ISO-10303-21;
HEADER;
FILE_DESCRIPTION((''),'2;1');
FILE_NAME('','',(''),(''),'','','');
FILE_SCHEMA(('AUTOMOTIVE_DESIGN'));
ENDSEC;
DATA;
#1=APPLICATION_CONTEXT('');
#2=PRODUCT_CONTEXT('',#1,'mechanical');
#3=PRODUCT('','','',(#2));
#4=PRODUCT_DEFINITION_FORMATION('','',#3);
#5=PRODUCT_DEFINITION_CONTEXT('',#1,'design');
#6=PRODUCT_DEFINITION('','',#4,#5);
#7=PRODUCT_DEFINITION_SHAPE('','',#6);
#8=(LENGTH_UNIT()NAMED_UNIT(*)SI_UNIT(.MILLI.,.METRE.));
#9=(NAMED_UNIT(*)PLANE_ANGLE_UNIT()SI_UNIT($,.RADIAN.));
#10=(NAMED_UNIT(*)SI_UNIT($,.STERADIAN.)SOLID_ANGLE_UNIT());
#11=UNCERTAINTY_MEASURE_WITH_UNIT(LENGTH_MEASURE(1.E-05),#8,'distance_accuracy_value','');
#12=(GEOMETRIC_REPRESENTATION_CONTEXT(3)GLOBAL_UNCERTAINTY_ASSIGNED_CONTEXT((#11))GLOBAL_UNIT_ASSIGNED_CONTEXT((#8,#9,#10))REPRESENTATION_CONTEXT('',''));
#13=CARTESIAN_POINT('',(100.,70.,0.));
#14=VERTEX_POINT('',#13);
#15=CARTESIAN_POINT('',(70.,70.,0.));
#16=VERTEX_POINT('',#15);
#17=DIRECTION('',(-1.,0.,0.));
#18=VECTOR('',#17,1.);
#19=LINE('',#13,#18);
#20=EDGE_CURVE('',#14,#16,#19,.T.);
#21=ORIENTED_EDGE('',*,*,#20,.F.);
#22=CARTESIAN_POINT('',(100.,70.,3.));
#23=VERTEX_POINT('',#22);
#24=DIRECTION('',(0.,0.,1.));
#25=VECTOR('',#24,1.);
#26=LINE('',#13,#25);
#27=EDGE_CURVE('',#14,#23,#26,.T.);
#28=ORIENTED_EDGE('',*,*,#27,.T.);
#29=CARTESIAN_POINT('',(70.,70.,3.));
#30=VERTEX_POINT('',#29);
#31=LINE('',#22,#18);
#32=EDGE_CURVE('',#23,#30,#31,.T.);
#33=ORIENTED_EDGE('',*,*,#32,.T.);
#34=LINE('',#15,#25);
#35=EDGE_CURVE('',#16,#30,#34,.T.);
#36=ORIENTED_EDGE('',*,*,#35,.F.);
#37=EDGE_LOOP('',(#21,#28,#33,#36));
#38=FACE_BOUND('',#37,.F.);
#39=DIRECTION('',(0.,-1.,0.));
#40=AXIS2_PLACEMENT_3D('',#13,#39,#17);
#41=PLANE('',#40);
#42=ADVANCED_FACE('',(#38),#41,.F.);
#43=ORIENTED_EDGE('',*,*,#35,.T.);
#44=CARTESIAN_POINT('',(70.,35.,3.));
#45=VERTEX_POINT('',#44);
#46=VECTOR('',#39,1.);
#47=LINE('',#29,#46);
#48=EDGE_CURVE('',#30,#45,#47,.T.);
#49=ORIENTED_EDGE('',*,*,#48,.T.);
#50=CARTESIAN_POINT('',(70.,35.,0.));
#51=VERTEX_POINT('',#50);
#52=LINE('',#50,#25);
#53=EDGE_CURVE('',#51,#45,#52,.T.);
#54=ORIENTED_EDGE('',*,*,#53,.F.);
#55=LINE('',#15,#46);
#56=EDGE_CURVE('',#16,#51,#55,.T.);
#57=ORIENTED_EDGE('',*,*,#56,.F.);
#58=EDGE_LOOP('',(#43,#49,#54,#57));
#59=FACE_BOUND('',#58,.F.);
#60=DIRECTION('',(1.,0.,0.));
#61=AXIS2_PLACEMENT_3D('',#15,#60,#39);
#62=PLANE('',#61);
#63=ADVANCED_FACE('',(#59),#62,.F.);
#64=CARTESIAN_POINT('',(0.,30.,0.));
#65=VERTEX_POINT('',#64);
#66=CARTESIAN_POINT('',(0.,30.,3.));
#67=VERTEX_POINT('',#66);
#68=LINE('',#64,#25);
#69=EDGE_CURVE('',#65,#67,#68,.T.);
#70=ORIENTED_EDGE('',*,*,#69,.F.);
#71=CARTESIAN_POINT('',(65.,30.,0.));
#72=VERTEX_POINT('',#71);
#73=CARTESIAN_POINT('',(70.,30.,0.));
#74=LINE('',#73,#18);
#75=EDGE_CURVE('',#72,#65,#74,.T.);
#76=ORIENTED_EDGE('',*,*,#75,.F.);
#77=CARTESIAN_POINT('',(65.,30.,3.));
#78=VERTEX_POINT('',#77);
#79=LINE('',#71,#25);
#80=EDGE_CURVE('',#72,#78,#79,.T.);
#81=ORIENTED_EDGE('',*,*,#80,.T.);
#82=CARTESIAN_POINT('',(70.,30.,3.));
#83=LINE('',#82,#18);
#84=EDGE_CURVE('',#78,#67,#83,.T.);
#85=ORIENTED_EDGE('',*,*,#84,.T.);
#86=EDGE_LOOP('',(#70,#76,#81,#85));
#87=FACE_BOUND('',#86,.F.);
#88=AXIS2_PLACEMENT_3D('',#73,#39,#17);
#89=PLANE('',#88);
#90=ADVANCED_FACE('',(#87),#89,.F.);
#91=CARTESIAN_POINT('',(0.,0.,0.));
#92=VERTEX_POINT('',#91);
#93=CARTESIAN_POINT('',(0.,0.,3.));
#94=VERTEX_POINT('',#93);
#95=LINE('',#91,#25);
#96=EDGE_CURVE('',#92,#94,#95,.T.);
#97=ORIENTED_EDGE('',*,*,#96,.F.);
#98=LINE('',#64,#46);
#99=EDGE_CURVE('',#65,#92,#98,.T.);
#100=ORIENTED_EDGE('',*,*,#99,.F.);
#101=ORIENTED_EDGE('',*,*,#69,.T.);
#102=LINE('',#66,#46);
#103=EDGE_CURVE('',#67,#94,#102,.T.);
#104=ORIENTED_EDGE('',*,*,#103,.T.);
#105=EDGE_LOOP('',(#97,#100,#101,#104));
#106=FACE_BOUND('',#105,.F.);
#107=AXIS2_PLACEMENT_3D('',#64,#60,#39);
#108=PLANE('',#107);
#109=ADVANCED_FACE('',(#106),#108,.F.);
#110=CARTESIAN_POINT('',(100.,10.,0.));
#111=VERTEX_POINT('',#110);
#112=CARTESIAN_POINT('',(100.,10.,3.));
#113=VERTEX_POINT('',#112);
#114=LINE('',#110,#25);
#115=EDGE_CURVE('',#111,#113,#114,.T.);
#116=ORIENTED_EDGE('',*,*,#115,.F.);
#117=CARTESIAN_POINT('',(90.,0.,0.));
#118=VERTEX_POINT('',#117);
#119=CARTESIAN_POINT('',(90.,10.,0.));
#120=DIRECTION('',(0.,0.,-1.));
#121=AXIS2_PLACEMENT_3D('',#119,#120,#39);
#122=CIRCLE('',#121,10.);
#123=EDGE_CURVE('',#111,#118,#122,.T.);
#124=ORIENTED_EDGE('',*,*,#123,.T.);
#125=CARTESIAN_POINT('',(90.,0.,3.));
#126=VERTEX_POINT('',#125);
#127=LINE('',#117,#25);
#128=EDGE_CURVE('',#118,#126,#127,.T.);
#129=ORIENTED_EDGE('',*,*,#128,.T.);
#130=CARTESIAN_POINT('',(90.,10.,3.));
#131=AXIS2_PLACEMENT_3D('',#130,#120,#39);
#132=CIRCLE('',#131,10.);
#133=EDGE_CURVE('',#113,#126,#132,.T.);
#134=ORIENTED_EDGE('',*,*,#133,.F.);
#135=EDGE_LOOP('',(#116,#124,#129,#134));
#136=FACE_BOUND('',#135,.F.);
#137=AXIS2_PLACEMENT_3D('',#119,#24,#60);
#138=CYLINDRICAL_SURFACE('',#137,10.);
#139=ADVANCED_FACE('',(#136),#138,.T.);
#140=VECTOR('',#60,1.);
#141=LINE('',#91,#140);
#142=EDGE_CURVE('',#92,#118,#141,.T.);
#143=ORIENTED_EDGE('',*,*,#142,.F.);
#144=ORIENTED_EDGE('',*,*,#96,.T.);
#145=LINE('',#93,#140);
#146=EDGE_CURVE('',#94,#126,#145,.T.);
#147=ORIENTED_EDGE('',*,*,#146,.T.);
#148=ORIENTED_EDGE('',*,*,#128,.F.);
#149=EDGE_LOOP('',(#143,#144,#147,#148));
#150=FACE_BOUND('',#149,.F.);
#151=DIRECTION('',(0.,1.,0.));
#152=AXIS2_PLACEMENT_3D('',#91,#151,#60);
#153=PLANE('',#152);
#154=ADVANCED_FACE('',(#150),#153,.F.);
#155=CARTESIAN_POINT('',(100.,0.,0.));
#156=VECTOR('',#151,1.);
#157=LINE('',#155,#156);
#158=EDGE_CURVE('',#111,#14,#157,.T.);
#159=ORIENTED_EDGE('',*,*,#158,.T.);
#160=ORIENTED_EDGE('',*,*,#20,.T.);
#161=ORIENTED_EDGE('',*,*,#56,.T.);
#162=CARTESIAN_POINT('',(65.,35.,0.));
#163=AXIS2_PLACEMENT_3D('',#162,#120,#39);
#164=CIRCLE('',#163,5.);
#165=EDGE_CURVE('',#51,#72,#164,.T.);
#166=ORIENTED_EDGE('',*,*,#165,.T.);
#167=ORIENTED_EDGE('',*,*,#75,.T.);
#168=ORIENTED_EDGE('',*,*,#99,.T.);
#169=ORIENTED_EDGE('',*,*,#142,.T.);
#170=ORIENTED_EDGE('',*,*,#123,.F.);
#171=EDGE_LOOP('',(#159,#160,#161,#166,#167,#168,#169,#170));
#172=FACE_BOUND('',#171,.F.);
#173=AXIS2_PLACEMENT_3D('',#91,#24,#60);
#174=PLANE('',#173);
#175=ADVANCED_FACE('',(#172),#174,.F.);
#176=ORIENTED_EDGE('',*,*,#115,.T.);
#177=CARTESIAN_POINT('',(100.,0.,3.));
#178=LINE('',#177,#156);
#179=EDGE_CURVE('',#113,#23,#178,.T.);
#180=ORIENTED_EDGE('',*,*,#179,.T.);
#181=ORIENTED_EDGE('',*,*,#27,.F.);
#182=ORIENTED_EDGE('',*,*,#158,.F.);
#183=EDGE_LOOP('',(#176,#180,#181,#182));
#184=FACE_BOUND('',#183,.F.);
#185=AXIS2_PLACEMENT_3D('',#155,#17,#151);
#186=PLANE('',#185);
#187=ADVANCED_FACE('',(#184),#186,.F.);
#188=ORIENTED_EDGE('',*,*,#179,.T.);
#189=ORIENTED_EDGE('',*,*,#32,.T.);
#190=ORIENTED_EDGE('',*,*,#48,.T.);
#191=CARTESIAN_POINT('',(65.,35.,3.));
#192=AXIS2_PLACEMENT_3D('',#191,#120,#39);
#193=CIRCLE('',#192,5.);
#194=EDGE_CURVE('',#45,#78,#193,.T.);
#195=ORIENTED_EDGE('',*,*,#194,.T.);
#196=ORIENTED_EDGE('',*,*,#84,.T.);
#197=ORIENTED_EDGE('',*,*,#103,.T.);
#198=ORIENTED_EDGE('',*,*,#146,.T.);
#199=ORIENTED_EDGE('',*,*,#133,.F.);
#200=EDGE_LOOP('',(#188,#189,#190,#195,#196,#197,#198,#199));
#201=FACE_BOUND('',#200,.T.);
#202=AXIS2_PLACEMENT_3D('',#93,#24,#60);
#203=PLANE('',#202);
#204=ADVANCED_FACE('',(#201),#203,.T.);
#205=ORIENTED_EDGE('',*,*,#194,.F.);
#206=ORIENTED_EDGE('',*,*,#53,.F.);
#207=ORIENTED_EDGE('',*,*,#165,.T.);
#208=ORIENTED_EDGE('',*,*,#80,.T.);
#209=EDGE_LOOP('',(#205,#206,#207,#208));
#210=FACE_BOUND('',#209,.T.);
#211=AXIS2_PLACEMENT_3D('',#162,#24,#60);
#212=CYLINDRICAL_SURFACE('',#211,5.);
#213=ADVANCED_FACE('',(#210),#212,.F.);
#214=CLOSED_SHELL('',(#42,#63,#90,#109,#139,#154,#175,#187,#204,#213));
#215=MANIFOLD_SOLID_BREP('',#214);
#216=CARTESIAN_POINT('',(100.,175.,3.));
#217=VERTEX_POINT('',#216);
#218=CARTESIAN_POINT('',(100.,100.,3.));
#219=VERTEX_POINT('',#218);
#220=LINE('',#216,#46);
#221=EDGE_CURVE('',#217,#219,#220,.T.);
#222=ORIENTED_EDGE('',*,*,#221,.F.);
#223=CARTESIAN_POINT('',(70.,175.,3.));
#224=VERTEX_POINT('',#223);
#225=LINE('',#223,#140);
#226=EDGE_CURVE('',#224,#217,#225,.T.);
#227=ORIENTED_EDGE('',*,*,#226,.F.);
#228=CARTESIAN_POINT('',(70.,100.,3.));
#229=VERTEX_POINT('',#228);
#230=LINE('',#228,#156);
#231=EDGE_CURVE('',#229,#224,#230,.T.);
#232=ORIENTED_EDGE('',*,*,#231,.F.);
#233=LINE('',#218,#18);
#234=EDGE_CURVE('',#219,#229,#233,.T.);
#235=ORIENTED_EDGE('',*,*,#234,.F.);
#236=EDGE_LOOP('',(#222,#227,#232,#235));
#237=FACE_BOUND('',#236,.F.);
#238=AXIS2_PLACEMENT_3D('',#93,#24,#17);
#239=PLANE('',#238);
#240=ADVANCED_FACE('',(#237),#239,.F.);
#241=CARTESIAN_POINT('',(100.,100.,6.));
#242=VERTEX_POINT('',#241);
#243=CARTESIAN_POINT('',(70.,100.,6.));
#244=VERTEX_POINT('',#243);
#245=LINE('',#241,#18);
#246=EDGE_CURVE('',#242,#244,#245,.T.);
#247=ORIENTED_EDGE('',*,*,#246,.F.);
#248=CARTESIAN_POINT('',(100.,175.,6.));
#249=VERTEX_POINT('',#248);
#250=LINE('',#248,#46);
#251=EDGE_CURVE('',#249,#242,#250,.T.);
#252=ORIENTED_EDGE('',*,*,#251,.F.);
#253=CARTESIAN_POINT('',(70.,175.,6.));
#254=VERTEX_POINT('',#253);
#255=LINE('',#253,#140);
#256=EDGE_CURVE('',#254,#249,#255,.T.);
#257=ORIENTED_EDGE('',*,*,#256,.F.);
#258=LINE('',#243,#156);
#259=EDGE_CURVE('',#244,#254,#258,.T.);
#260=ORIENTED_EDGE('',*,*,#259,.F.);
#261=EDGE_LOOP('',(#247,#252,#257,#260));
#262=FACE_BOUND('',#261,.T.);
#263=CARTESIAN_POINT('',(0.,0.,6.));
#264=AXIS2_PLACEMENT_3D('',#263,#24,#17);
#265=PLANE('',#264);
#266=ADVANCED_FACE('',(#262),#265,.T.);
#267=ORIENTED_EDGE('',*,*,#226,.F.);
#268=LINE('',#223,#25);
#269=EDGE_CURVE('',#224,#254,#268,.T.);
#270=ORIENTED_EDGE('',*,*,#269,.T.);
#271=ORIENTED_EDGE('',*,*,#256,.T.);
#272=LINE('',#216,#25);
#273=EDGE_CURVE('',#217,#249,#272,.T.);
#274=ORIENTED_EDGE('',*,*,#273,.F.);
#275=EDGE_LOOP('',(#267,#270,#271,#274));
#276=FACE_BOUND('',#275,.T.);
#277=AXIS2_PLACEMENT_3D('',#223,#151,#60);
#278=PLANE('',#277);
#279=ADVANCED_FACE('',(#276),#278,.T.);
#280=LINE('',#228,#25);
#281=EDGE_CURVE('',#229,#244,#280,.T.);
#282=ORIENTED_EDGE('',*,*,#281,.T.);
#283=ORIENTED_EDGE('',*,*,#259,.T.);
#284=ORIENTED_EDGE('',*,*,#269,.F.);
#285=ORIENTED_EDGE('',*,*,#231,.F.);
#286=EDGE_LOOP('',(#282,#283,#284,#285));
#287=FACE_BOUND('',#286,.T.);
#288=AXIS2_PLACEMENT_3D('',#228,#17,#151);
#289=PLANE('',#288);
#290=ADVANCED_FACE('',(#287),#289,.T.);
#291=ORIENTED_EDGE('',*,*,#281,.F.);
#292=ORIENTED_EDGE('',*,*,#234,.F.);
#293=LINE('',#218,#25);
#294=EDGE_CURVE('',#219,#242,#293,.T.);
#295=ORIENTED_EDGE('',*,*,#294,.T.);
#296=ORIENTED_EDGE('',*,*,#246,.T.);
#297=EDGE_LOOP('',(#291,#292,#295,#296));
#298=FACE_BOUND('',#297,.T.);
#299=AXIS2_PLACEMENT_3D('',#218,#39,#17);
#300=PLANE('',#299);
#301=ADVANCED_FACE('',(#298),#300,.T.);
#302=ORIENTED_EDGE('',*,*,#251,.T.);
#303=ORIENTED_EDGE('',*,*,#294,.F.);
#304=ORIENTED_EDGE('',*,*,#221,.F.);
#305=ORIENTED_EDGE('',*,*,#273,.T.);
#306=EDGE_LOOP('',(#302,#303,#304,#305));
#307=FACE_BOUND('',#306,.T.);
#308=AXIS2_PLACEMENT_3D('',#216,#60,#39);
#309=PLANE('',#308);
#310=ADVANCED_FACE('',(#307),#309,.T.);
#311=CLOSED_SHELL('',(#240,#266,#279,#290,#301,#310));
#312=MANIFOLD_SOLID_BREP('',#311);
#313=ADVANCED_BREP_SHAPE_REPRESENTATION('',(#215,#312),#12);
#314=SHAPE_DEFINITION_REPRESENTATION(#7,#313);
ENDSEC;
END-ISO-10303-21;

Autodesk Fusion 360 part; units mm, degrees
sketch "Sketch1" plane through (0, 0, 0) normal (0, 0, 1) x (1, 0, 0)
  line L0 (0, 0) -> (100, 0)
  line L1 (100, 0) -> (100, 70)
  line L2 (100, 70) -> (70, 70)
  line L3 (70, 70) -> (70, 30)
  line L4 (70, 30) -> (0, 30)
  line L5 (0, 30) -> (0, 0)
  line L6 (-25, 0) -> (-25, 55) construction
  dimension "d1" = 30
  dimension "d2" = 30
  dimension "d3" = 100
  dimension "d4" = 70
extrude "Extrude1" add sketch "Sketch1" along normal blind 3 makes body 1
ref_plane "WorkPlane1" through (-30, 0, 0) normal (1, 0, 0) x (0, 1, 0)
sketch "Sketch2" plane through (0, 0, 3) normal (0, 0, 1) x (-1, 0, 0)
  line L0 (0, -30) -> (0, 0)
  line L1 (0, 0) -> (-100, 0)
  line L2 (-100, 0) -> (-100, -70)
  line L3 (-100, -70) -> (-70, -70)
  line L4 (-70, -70) -> (-70, -30)
  line L5 (-70, -30) -> (0, -30)
  line L6 (-100, -100) -> (-70, -100)
  line L7 (-70, -100) -> (-70, -175)
  line L8 (-70, -175) -> (-100, -175)
  line L9 (-100, -175) -> (-100, -100)
  dimension "d10" = 30
  dimension "d11" = 75
extrude "Extrude2" add sketch "Sketch2" along normal blind 3 separate body contours L6 L7 L8 L9 makes body 2
fillet "Fillet1" radius 10 1 edges at (100, 0, 1.5) on bodies 1
fillet "Fillet2" radius 5 1 edges at (70, 30, 1.5) on bodies 1
sketch "Sketch3" plane through (0, 0, 6) normal (0, 0, 1) x (-1, 0, 0)
  line L0 (-100, -175) -> (-70, -175)
  line L1 (-70, -175) -> (-70, -100)
  line L2 (-70, -100) -> (-100, -100)
  line L3 (-100, -100) -> (-100, -175)
  circle A0 centre (-92, -108) radius 5.6569
  line L4 (-70, -175) -> (-100, -100) construction
  line L5 (-70, -100) -> (-100, -175) construction
  line L6 (-85, -137.5) -> (-100, -137.5) construction
  circle A1 centre (-90, -10) radius 7.0711
  circle A2 centre (-92, -62) radius 5.6189
  circle A3 centre (-8, -8) radius 5.5698
  line L7 (-100, -10) -> (-100, -70)
  line L8 (-100, -70) -> (-70, -70)
  line L9 (0, 0) -> (-90, 0)
  line L10 (0, -30) -> (0, 0)
  circle A4 centre (-92, -167) radius 5.6569
  dimension "d18" = 8
  dimension "d19" = 8
  dimension "d20" = 8
  dimension "d21" = 8
  dimension "d22" = 10
  dimension "d23" = 10
  dimension "d24" = 8
  dimension "d25" = 8
